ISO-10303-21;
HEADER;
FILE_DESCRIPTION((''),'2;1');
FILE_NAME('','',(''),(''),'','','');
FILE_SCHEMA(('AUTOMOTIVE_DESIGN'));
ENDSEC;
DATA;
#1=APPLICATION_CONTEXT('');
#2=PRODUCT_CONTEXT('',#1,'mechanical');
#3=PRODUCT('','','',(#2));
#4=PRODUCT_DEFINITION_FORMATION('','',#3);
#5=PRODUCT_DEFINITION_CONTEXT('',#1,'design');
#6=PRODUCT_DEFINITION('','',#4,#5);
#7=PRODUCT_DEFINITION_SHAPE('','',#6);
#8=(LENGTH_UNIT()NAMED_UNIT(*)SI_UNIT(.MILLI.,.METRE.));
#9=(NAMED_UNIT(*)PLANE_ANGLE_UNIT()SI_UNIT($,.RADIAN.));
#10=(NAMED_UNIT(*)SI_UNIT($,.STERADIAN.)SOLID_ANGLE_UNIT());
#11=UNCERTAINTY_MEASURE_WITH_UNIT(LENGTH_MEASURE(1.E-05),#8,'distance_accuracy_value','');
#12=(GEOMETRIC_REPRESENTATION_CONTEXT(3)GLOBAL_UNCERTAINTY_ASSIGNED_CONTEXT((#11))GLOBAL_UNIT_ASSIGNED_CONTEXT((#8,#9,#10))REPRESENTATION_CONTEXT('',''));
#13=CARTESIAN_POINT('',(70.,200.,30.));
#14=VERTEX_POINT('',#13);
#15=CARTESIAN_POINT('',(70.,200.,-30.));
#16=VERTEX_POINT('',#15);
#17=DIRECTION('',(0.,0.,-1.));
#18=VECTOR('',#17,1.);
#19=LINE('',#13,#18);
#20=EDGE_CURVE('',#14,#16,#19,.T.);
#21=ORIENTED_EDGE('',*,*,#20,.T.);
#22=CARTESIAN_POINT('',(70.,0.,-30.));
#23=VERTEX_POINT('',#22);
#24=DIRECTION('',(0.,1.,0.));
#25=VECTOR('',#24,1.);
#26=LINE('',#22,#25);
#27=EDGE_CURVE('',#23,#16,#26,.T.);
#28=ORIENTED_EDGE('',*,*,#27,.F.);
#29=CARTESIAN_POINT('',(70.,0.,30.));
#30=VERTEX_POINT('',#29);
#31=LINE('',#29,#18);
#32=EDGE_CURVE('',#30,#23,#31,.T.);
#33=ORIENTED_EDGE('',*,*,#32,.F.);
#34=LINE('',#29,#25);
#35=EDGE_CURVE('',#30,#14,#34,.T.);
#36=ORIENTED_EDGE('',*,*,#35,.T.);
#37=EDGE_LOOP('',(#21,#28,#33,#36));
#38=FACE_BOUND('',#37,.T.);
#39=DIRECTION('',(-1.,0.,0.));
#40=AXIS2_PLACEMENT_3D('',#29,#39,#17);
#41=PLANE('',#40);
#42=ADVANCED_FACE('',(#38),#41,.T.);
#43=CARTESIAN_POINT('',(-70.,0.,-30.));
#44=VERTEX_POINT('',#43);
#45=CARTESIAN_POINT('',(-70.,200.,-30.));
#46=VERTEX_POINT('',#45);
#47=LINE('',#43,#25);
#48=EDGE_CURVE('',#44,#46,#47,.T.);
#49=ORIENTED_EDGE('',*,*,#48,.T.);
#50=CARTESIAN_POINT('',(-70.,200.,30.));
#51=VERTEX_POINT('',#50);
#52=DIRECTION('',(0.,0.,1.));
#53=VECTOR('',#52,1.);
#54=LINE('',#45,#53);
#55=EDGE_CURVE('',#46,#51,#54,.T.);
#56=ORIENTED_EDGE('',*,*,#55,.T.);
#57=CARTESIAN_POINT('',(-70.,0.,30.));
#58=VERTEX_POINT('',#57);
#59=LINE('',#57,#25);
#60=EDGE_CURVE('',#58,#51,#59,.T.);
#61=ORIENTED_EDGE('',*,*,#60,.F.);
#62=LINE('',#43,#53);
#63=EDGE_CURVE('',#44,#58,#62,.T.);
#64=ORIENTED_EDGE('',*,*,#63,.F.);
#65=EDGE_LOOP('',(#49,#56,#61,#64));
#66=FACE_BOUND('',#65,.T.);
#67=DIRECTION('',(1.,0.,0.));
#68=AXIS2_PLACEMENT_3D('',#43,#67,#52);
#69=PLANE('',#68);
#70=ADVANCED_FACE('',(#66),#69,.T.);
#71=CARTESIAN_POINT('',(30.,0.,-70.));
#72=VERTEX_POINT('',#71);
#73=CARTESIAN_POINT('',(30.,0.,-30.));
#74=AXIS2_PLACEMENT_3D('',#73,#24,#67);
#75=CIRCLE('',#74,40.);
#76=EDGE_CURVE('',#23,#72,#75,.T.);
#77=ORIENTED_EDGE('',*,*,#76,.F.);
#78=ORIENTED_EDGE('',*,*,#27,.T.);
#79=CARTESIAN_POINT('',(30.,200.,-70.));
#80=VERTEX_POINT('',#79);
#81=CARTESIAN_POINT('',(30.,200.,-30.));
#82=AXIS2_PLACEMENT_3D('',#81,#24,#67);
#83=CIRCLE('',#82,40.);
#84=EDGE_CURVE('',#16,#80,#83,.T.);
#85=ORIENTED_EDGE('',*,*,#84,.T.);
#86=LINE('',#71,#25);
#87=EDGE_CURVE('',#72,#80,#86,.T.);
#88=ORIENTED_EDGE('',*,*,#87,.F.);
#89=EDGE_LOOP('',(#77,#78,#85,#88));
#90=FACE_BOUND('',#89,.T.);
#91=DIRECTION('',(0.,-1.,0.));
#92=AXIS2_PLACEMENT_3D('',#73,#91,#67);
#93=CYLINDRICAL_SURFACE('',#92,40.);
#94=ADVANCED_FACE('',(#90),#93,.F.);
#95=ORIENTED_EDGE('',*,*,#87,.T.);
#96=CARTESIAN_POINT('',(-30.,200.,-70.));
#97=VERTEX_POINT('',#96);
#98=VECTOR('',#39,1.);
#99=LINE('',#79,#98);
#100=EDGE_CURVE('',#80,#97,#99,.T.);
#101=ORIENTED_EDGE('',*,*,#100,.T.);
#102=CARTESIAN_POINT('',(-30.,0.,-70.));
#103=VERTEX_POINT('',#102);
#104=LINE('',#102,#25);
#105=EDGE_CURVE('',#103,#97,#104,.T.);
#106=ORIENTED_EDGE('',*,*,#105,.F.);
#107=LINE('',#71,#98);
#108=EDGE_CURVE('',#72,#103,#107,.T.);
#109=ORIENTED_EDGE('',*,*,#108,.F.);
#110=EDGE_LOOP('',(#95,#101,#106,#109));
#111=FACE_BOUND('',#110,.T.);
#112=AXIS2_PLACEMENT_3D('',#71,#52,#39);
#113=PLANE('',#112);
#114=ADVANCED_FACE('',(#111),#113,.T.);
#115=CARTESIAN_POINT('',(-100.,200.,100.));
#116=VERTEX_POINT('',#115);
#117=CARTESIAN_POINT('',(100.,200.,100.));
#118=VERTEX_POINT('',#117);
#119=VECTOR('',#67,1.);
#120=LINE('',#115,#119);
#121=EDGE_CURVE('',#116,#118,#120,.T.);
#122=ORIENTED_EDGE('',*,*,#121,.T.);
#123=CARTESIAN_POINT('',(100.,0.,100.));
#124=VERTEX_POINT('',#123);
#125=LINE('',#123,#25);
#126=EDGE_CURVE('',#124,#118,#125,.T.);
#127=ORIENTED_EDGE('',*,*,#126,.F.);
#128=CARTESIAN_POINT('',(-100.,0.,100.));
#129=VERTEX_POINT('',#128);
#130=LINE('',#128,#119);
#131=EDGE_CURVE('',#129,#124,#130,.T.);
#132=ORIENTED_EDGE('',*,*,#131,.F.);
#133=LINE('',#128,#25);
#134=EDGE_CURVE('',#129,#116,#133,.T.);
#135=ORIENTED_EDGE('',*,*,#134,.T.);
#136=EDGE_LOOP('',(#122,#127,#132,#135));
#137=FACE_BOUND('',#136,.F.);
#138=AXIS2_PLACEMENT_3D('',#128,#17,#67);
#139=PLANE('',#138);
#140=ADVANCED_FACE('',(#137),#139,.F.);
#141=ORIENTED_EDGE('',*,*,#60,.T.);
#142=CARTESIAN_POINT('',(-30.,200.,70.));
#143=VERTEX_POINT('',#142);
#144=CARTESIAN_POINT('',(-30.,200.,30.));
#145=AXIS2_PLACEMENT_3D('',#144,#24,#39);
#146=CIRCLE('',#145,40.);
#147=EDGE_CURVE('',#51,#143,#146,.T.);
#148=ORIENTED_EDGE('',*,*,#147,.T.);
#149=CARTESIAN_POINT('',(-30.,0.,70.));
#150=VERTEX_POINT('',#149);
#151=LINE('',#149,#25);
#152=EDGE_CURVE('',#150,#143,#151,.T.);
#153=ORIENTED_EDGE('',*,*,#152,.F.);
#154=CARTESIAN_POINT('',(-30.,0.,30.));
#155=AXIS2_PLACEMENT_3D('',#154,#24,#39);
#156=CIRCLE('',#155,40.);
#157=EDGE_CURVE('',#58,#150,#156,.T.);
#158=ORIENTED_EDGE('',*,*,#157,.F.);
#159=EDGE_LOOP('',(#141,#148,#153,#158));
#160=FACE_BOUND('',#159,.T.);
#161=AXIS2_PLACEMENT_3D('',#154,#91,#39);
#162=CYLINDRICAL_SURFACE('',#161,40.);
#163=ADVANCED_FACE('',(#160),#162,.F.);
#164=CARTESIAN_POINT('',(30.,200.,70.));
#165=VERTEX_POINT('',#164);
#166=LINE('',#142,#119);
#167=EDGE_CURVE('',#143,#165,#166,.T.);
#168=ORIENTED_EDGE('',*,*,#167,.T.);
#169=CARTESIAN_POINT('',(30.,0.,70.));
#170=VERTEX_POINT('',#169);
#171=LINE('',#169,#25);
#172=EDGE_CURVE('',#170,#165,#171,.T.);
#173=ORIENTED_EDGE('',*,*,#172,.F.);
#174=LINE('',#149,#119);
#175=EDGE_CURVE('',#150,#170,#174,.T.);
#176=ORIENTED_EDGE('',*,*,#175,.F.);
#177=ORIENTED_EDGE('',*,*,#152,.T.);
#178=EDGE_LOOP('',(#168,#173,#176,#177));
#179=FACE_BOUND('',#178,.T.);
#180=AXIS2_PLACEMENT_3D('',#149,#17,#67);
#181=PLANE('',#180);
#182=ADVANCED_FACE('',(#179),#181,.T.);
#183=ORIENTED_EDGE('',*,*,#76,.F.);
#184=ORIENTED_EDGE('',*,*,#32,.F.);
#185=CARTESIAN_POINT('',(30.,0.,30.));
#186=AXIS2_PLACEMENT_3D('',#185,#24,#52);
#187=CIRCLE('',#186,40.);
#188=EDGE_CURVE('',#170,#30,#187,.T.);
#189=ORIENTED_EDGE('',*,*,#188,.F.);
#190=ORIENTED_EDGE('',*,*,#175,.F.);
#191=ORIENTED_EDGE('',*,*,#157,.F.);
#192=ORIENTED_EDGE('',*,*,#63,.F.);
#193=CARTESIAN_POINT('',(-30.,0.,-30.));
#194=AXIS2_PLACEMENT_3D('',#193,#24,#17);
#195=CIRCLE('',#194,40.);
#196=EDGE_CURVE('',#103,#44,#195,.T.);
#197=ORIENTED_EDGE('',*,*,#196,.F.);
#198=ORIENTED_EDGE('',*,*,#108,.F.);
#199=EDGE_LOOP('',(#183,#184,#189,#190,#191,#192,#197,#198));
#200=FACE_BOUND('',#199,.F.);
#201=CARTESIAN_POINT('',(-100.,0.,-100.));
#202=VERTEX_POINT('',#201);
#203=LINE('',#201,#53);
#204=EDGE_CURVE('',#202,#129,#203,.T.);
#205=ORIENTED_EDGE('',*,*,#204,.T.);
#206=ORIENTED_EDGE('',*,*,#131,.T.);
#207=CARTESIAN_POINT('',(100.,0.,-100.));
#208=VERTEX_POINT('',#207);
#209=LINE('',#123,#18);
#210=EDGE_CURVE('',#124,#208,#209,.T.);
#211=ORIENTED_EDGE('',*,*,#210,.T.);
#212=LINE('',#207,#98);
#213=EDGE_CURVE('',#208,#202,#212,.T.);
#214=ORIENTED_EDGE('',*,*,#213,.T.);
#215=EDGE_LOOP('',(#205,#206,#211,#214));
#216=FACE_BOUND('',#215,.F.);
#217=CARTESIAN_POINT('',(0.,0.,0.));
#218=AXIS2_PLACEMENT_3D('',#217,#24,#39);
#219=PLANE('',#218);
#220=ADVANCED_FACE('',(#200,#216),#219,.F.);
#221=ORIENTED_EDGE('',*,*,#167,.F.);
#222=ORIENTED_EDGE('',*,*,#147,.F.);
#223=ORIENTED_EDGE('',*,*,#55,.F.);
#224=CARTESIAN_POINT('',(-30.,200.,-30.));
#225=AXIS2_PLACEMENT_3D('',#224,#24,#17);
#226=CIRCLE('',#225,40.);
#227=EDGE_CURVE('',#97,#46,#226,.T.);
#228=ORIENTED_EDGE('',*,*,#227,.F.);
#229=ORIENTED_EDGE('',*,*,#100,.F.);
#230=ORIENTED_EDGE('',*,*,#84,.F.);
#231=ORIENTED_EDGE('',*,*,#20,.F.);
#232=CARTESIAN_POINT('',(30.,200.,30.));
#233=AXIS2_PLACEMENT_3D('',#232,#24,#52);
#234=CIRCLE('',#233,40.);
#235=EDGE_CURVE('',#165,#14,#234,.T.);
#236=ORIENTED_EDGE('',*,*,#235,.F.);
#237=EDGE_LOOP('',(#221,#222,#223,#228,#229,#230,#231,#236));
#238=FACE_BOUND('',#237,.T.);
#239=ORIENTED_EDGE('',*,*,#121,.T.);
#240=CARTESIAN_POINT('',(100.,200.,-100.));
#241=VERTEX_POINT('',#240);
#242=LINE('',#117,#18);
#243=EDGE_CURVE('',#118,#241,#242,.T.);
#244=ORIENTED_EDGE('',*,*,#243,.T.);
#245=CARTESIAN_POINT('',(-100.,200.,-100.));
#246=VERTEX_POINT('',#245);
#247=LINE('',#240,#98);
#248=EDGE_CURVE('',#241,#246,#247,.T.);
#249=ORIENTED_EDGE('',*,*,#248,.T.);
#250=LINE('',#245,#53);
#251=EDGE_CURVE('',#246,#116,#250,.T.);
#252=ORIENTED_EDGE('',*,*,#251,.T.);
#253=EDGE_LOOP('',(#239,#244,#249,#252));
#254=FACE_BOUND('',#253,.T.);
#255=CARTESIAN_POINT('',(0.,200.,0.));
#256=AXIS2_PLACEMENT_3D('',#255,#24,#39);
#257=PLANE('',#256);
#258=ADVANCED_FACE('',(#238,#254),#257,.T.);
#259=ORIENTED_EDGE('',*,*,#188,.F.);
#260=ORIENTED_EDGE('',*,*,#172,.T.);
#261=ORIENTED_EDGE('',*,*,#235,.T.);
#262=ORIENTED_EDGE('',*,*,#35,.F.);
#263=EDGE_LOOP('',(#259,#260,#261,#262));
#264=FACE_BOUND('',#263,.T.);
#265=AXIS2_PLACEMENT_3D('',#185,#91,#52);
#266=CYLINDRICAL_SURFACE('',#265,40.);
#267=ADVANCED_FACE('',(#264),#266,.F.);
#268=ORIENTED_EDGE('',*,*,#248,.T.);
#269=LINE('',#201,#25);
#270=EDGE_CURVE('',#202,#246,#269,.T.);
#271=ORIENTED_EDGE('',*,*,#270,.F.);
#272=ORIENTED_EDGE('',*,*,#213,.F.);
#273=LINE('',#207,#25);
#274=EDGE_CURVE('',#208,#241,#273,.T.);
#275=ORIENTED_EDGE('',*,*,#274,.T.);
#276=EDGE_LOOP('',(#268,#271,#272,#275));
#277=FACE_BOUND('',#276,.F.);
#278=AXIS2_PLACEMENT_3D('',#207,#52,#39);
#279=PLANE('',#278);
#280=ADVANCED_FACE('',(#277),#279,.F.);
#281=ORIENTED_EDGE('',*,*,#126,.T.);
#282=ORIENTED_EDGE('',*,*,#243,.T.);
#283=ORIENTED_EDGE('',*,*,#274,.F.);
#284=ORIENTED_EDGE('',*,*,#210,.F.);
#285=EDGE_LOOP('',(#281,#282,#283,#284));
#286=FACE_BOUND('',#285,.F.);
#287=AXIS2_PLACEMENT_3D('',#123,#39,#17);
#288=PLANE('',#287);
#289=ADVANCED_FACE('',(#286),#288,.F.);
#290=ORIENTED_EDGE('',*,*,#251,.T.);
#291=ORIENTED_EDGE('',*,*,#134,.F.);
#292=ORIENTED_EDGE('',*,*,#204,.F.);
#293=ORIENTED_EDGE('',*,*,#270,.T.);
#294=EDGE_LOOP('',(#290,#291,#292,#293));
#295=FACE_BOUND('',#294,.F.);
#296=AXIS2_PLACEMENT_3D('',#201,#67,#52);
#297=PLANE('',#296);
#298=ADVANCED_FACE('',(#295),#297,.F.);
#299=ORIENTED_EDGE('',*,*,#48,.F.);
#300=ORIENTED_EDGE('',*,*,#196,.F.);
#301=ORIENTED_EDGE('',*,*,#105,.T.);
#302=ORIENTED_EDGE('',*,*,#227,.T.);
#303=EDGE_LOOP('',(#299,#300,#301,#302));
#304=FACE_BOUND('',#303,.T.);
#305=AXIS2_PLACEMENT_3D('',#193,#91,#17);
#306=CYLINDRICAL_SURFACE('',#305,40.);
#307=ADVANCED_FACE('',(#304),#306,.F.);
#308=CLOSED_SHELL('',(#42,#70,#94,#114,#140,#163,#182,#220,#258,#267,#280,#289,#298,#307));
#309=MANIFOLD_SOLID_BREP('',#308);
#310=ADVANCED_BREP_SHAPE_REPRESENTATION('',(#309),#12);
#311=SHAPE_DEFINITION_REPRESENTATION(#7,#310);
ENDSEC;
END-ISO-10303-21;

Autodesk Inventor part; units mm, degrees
ref_plane "YZ Plane" through (0, 0, 0) normal (1, 0, 0) x (0, 1, 0)
ref_plane "XZ Plane" through (0, 0, 0) normal (0, 1, 0) x (-1, 0, 0)
ref_plane "XY Plane" through (0, 0, 0) normal (0, 0, 1) x (1, 0, 0)
sketch "Sketch1" plane through (0, 0, 0) normal (0, 1, 0) x (-1, 0, 0)
  line L0 (100, 100) -> (-100, 100)
  line L1 (-100, 100) -> (-100, -100)
  line L2 (-100, -100) -> (100, -100)
  line L3 (100, -100) -> (100, 100)
  line L4 (30, 70) -> (-30, 70)
  line L5 (-70, 30) -> (-70, -30)
  line L6 (-30, -70) -> (30, -70)
  line L7 (70, -30) -> (70, 30)
  arc A0 (30, -70) -> (70, -30) centre (30, -30) ccw
  arc A1 (-70, -30) -> (-30, -70) centre (-30, -30) ccw
  arc A2 (-30, 70) -> (-70, 30) centre (-30, 30) ccw
  arc A3 (70, 30) -> (30, 70) centre (30, 30) ccw
  point P0 (0, 0)
  point P1 (100, 0)
  point P2 (0, -100)
  dimension "d0" = 200
  dimension "d1" = 30
  dimension "d2" = 40
extrude "Extrusion1" add sketch "Sketch1" along normal blind 200
properties part number "adocreto"
